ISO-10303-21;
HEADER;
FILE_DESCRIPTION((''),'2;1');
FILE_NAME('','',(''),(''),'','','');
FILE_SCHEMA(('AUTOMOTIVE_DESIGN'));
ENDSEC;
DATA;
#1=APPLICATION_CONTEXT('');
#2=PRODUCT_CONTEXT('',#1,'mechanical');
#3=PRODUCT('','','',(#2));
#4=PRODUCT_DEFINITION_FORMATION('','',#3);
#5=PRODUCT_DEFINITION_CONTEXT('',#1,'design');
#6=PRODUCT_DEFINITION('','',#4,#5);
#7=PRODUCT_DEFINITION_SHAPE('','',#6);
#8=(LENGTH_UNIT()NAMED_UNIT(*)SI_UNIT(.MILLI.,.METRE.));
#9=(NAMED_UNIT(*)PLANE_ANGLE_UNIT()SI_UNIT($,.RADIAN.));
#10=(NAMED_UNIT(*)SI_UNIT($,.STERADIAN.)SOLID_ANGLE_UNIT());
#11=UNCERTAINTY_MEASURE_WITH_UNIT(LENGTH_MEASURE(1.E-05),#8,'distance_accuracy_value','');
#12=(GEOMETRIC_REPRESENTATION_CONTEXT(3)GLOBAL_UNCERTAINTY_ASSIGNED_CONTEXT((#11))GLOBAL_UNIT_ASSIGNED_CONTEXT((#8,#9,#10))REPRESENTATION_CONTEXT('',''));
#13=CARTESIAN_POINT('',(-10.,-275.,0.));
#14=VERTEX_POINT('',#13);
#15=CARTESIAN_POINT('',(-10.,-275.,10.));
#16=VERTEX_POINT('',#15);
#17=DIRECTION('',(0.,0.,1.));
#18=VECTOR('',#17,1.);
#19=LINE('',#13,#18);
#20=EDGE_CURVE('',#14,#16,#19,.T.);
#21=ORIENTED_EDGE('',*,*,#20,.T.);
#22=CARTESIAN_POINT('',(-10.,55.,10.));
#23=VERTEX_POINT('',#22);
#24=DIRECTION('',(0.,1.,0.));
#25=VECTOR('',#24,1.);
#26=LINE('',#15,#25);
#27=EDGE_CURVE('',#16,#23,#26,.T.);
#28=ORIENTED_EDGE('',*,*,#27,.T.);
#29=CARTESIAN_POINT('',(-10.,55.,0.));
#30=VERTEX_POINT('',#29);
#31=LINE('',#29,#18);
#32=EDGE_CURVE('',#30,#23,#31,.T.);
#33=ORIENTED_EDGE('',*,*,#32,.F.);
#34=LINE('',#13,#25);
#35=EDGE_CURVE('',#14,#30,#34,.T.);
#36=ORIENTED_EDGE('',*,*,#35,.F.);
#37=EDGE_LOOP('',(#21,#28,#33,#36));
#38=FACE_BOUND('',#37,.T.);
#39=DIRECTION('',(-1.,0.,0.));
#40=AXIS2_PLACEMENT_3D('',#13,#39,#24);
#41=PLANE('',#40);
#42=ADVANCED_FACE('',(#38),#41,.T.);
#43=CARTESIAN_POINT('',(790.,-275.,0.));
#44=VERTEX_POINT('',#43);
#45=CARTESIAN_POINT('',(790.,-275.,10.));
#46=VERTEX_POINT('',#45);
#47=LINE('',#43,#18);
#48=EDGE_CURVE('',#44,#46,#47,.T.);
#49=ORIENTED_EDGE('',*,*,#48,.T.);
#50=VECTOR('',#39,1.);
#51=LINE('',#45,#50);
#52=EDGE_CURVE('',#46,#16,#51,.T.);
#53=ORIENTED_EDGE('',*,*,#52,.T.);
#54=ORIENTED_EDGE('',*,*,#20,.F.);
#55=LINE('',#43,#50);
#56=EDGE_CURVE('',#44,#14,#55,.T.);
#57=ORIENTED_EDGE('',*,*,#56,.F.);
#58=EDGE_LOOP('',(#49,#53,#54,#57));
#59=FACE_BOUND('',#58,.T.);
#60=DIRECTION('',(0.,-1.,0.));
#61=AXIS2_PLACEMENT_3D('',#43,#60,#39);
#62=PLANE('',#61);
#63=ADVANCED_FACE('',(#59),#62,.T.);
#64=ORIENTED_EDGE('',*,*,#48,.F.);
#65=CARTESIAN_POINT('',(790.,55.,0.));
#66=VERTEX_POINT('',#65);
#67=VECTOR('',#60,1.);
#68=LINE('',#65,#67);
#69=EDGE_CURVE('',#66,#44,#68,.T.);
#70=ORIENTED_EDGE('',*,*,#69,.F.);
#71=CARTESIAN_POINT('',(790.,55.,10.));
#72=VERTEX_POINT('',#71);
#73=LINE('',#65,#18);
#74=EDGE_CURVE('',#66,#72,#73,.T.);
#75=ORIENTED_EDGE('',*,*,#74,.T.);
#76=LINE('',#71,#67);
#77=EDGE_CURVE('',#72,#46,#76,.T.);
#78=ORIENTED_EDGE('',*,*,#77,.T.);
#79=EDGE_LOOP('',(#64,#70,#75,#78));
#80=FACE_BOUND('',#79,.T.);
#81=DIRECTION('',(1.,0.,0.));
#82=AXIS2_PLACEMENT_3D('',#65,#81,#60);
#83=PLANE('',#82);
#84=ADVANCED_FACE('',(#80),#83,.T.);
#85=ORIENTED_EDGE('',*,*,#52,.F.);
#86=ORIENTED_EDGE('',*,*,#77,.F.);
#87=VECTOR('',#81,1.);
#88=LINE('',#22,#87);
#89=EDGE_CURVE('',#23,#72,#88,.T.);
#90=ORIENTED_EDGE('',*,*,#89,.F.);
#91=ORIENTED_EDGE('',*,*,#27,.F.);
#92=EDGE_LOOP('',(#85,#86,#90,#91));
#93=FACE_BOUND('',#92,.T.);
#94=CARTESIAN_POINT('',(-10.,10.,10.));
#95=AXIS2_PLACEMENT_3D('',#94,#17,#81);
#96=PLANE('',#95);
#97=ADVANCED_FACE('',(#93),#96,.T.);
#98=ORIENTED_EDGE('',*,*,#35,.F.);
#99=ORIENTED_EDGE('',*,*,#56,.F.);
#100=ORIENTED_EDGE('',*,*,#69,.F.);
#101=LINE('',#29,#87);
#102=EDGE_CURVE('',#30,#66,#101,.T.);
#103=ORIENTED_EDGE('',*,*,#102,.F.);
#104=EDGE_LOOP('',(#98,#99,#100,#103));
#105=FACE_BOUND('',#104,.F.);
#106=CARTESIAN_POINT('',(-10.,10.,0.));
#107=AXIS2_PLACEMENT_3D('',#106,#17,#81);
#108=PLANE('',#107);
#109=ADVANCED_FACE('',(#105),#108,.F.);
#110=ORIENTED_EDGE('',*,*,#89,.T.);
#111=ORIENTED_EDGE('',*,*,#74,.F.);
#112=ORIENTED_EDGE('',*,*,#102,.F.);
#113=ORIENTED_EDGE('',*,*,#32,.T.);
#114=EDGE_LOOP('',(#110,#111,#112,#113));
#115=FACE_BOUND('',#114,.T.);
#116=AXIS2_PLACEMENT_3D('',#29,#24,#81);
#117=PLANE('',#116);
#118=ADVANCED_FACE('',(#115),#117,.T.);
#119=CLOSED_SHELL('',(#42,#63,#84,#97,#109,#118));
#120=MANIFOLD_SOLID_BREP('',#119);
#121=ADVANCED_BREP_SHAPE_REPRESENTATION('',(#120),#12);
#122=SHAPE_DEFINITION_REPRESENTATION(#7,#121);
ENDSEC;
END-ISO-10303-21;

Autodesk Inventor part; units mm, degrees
ref_plane "YZ Plane" through (0, 0, 0) normal (1, 0, 0) x (0, 1, 0)
ref_plane "XZ Plane" through (0, 0, 0) normal (0, 1, 0) x (-1, 0, 0)
ref_plane "XY Plane" through (0, 0, 0) normal (0, 0, 1) x (1, 0, 0)
ref_plane "Plano de trabajo1" through (-10, 10, 0) normal (0, 0, 1) x (1, 0, 0)
sketch "Boceto1" plane through (-10, 10, 0) normal (0, 0, 1) x (1, 0, 0)
  line L0 (0, 45) -> (800, 45)
  line L1 (800, 45) -> (800, -285)
  line L2 (800, -285) -> (0, -285)
  line L3 (0, -285) -> (0, 45)
  point P0 (10, -10)
  dimension "d0" = 800
  dimension "d1" = 330
extrude "Extrusión1" add sketch "Boceto1" along normal blind 10
